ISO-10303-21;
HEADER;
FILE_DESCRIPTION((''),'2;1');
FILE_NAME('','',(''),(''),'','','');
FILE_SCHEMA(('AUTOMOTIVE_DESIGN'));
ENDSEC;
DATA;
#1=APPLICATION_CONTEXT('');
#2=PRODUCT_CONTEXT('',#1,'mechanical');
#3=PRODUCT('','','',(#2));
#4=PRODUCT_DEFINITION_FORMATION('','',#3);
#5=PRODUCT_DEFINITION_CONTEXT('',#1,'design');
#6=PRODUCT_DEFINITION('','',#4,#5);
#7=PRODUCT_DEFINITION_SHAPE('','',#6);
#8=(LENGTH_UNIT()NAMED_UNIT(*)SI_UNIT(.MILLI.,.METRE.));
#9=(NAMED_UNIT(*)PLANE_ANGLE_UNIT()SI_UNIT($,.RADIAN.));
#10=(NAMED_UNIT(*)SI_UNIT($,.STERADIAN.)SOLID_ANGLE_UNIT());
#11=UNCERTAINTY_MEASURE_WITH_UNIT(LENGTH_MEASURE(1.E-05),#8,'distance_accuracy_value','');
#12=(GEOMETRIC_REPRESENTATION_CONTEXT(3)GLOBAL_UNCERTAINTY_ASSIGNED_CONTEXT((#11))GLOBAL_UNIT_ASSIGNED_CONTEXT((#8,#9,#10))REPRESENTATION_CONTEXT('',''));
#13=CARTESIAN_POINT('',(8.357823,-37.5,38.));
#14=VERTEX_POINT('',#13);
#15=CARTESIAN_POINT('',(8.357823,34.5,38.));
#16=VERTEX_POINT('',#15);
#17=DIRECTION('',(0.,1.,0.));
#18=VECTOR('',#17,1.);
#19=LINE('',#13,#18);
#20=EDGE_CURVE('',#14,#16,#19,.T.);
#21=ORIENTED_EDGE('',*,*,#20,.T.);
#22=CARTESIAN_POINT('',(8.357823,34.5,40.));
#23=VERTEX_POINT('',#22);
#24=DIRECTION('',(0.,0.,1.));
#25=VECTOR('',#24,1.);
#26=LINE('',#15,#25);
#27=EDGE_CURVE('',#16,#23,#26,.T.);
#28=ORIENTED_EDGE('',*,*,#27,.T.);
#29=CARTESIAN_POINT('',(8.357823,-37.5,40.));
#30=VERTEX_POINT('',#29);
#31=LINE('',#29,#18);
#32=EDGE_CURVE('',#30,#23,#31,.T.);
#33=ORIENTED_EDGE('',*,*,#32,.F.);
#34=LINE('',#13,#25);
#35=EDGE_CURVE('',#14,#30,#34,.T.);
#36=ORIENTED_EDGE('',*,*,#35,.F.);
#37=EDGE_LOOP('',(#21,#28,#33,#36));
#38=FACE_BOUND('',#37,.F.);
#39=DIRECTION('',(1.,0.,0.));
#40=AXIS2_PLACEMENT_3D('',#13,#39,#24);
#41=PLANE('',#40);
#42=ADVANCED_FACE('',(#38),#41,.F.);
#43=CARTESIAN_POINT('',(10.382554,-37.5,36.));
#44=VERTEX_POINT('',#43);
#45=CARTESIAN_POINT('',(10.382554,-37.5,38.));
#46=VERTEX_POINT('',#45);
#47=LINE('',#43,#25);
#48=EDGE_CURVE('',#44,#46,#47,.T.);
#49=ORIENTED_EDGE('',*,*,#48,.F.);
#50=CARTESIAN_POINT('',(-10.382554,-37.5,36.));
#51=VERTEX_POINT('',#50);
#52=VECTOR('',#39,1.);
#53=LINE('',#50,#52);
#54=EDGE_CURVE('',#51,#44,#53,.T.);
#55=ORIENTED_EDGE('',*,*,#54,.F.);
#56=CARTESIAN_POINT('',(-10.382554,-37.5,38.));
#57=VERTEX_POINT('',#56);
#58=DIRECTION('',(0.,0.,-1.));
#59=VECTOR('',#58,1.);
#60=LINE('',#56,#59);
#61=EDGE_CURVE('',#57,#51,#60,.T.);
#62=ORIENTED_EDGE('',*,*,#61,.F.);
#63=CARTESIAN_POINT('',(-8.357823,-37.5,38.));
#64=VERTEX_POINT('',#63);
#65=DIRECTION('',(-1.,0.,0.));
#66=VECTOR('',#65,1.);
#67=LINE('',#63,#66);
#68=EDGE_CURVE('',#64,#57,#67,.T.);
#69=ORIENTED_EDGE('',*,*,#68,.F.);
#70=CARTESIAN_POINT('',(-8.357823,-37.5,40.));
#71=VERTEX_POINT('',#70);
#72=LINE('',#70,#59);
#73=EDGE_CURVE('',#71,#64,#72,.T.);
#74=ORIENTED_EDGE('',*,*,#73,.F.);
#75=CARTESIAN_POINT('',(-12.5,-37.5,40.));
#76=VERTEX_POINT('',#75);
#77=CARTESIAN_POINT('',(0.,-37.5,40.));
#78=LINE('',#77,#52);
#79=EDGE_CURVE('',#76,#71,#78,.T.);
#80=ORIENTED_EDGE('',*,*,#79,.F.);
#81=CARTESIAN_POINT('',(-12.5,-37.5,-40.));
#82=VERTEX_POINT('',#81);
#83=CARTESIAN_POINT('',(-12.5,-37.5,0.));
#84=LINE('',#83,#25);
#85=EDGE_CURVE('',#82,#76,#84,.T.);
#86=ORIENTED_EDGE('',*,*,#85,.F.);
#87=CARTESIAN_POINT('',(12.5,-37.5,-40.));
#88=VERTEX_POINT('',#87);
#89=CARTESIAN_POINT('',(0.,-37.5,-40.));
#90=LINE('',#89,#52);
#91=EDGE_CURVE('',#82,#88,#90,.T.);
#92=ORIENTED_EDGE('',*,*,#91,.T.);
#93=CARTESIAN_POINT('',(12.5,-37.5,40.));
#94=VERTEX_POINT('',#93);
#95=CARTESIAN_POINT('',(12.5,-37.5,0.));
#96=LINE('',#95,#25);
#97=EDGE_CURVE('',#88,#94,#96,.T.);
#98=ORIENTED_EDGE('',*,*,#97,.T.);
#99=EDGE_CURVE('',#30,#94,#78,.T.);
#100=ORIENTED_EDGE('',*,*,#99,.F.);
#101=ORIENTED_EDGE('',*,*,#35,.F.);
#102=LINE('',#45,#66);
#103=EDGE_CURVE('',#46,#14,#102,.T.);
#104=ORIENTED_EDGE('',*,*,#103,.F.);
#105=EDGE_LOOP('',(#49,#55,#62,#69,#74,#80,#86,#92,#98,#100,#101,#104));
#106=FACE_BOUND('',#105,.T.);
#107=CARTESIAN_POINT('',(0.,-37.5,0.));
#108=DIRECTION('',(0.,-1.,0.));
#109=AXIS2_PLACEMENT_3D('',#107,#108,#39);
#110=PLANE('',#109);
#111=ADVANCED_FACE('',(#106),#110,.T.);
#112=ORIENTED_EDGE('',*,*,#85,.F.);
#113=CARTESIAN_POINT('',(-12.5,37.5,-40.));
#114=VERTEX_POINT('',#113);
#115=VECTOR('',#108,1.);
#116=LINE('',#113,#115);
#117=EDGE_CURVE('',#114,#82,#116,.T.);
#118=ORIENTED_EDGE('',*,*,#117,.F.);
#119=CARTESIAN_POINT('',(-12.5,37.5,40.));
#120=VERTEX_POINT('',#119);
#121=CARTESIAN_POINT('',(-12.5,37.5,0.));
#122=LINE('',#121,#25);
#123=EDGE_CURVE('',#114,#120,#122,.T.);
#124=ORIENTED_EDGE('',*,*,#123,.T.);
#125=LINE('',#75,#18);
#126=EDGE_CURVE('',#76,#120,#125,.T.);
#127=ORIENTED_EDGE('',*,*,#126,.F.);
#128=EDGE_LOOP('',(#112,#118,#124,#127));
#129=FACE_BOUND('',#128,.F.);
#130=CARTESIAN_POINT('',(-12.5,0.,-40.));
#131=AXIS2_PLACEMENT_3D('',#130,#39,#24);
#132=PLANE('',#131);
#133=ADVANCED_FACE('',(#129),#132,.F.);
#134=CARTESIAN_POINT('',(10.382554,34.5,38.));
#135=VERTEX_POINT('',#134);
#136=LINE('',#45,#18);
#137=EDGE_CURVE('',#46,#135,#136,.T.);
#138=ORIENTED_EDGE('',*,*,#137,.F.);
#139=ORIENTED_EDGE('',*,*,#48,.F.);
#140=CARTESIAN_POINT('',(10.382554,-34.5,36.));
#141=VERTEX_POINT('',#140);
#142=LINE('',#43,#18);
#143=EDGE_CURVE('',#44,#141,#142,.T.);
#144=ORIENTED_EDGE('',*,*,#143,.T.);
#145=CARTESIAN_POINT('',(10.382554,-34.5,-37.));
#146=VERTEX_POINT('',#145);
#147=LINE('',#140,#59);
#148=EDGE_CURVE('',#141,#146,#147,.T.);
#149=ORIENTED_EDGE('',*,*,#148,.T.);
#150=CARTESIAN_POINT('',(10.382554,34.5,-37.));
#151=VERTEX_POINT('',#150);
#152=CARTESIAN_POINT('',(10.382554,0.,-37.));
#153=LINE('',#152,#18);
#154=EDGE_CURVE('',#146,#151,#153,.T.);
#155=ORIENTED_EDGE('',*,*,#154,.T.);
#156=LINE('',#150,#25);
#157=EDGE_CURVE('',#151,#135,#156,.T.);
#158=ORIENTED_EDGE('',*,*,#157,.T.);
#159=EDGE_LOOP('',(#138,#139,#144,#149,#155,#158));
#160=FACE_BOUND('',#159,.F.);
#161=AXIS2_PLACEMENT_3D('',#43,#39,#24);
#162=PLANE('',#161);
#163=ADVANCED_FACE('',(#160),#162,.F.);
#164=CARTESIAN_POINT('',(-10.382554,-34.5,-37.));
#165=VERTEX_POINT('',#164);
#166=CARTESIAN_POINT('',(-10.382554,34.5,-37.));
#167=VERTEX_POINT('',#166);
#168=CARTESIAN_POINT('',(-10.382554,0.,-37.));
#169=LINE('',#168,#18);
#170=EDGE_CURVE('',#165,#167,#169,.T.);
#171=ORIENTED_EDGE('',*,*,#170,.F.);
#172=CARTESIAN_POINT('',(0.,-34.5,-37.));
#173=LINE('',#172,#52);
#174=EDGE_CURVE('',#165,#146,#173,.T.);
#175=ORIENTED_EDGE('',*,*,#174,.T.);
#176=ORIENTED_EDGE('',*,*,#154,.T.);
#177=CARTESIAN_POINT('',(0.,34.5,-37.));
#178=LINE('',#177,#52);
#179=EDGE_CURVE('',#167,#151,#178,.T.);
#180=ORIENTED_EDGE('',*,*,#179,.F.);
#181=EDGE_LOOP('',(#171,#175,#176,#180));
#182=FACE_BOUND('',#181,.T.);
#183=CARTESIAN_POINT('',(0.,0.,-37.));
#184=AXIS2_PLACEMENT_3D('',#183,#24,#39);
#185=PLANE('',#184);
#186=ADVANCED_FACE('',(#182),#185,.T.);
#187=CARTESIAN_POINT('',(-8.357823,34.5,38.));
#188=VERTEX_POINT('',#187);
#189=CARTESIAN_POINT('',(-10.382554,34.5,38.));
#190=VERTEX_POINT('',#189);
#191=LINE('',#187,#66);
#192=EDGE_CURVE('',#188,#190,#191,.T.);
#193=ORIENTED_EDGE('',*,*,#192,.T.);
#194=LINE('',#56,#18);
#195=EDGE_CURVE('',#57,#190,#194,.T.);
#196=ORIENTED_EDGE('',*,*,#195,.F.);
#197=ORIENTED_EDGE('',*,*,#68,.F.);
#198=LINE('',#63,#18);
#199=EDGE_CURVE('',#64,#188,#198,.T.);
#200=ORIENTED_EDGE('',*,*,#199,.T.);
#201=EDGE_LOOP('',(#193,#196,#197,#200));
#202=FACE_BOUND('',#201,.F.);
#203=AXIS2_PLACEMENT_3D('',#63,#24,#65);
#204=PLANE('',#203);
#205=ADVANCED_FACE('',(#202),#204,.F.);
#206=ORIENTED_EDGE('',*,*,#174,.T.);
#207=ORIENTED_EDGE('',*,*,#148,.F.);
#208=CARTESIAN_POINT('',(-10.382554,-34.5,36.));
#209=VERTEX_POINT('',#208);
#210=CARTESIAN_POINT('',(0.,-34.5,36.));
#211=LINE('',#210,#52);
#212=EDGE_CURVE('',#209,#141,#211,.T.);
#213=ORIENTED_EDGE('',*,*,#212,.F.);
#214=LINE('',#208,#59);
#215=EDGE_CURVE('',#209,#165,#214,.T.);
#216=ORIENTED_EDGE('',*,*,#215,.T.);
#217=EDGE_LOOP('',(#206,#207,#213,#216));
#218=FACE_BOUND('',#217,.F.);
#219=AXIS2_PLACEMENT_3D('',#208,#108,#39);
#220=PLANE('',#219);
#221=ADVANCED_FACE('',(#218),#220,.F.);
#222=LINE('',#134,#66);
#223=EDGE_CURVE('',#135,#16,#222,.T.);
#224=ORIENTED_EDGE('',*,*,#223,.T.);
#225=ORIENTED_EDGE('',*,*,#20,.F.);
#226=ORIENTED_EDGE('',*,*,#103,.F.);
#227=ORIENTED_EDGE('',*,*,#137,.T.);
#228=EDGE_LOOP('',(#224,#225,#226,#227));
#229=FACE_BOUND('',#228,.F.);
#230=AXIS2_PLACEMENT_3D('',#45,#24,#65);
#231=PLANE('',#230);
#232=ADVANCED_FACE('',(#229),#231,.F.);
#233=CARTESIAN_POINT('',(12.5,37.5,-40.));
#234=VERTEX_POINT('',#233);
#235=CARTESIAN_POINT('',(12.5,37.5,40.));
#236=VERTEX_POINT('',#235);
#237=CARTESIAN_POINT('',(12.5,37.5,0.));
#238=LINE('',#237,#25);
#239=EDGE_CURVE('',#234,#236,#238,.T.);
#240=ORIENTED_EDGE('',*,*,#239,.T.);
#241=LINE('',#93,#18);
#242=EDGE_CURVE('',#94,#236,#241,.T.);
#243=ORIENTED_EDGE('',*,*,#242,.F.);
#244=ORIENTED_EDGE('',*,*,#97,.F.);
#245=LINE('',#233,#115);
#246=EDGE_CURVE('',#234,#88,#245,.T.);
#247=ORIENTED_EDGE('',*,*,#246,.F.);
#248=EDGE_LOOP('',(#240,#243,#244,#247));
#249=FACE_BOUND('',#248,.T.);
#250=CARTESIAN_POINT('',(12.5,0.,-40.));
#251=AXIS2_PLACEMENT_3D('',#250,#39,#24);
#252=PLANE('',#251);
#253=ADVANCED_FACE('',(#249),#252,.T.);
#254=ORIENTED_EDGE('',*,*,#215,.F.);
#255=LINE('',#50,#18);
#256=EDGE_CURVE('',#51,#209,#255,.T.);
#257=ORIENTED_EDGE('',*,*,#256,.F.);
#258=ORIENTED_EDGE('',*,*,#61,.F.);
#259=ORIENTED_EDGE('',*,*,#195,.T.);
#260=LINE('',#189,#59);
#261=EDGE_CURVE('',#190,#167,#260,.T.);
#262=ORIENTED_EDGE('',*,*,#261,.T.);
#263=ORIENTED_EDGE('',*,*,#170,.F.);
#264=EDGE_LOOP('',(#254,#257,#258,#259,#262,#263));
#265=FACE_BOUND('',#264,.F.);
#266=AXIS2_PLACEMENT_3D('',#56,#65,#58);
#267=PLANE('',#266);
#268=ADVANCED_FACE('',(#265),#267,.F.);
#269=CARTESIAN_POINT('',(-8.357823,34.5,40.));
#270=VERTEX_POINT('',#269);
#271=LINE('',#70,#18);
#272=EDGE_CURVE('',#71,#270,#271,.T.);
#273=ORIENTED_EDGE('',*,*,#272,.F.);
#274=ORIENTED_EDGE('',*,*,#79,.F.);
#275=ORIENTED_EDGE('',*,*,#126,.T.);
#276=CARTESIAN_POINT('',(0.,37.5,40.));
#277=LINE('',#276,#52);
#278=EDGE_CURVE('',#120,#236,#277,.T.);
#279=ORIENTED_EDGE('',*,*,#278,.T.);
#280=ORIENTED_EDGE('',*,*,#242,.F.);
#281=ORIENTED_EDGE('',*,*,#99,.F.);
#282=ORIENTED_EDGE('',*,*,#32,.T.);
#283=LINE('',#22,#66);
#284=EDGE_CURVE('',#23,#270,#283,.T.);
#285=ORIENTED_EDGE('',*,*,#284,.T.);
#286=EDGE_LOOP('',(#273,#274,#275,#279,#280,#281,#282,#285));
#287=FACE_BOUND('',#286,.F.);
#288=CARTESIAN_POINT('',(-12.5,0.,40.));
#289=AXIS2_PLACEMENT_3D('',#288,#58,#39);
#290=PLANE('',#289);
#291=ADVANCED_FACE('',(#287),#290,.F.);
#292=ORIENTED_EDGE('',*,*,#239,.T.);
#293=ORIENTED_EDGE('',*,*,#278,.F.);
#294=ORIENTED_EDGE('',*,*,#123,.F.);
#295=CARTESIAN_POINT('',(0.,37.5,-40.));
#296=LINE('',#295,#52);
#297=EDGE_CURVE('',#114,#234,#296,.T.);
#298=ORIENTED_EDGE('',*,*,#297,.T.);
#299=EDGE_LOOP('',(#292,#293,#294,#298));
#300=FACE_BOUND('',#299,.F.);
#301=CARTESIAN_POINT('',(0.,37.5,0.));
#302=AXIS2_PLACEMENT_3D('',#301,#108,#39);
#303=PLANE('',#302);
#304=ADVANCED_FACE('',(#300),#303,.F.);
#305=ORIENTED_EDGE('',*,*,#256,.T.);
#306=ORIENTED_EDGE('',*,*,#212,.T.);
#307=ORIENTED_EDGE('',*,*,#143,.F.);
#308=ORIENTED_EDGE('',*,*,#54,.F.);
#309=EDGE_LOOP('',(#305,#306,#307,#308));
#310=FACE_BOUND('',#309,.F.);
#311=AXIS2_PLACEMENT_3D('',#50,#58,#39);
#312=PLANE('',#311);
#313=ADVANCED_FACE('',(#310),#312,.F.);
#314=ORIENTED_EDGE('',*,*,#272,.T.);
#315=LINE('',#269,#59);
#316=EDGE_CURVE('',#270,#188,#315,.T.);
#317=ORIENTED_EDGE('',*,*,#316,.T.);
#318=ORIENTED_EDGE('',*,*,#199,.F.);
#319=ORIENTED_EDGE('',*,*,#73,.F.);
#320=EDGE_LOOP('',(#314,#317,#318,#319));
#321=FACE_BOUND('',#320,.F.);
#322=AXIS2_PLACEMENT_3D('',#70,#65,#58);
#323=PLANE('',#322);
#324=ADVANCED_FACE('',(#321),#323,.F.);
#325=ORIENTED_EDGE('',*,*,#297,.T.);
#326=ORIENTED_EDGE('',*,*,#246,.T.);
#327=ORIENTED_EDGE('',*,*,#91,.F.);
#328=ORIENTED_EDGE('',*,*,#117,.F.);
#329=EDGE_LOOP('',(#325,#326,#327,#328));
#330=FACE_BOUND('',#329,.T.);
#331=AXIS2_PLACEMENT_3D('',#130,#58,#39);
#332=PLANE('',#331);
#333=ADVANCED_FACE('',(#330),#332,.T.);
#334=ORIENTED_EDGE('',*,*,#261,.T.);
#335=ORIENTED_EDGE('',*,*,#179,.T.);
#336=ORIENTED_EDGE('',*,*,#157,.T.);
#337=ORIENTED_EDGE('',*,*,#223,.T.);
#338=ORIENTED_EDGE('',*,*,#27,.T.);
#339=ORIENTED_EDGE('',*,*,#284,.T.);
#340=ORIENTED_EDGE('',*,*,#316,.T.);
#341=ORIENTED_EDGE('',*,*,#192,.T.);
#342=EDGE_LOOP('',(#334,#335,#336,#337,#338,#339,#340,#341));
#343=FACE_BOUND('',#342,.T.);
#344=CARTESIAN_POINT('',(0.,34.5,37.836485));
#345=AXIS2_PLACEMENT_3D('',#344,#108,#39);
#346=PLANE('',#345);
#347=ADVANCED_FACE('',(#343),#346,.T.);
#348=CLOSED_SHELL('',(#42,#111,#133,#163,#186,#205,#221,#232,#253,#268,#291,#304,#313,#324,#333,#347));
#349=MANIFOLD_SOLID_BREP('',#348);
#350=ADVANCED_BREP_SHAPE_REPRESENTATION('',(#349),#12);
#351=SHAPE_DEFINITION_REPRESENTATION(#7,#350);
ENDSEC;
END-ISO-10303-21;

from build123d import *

# Parameters (mm, degrees)
F0_W     = 25
F0_H     = 80
F1_DEPTH = 37.5
F3_DEPTH = 72
F4_W     = 20.765108
F4_H     = 69
F5_DEPTH = 73


with BuildPart() as f1:
    # F0 (on Front) → F1 (new body, symmetric)
    with BuildSketch(Plane.XZ):
        Rectangle(F0_W, F0_H)
    extrude(amount=F1_DEPTH, both=True)

    # F2 (on face) → F3 (cut)
    with BuildSketch(Plane.XZ.offset(37.5)):
        Polygon((8.357823, 38), (8.357823, 40), (0, 40), (-8.357823, 40), (-8.357823, 38), (-10.382554, 38), (-10.382554, 36), (0, 36), (10.382554, 36), (10.382554, 38), align=None)
    extrude(amount=-F3_DEPTH, mode=Mode.SUBTRACT)

    # F4 (on face) → F5 (cut)
    with BuildSketch(Plane.XY.offset(36)):
        Rectangle(F4_W, F4_H)
    extrude(amount=-F5_DEPTH, mode=Mode.SUBTRACT)


solid = f1.part
